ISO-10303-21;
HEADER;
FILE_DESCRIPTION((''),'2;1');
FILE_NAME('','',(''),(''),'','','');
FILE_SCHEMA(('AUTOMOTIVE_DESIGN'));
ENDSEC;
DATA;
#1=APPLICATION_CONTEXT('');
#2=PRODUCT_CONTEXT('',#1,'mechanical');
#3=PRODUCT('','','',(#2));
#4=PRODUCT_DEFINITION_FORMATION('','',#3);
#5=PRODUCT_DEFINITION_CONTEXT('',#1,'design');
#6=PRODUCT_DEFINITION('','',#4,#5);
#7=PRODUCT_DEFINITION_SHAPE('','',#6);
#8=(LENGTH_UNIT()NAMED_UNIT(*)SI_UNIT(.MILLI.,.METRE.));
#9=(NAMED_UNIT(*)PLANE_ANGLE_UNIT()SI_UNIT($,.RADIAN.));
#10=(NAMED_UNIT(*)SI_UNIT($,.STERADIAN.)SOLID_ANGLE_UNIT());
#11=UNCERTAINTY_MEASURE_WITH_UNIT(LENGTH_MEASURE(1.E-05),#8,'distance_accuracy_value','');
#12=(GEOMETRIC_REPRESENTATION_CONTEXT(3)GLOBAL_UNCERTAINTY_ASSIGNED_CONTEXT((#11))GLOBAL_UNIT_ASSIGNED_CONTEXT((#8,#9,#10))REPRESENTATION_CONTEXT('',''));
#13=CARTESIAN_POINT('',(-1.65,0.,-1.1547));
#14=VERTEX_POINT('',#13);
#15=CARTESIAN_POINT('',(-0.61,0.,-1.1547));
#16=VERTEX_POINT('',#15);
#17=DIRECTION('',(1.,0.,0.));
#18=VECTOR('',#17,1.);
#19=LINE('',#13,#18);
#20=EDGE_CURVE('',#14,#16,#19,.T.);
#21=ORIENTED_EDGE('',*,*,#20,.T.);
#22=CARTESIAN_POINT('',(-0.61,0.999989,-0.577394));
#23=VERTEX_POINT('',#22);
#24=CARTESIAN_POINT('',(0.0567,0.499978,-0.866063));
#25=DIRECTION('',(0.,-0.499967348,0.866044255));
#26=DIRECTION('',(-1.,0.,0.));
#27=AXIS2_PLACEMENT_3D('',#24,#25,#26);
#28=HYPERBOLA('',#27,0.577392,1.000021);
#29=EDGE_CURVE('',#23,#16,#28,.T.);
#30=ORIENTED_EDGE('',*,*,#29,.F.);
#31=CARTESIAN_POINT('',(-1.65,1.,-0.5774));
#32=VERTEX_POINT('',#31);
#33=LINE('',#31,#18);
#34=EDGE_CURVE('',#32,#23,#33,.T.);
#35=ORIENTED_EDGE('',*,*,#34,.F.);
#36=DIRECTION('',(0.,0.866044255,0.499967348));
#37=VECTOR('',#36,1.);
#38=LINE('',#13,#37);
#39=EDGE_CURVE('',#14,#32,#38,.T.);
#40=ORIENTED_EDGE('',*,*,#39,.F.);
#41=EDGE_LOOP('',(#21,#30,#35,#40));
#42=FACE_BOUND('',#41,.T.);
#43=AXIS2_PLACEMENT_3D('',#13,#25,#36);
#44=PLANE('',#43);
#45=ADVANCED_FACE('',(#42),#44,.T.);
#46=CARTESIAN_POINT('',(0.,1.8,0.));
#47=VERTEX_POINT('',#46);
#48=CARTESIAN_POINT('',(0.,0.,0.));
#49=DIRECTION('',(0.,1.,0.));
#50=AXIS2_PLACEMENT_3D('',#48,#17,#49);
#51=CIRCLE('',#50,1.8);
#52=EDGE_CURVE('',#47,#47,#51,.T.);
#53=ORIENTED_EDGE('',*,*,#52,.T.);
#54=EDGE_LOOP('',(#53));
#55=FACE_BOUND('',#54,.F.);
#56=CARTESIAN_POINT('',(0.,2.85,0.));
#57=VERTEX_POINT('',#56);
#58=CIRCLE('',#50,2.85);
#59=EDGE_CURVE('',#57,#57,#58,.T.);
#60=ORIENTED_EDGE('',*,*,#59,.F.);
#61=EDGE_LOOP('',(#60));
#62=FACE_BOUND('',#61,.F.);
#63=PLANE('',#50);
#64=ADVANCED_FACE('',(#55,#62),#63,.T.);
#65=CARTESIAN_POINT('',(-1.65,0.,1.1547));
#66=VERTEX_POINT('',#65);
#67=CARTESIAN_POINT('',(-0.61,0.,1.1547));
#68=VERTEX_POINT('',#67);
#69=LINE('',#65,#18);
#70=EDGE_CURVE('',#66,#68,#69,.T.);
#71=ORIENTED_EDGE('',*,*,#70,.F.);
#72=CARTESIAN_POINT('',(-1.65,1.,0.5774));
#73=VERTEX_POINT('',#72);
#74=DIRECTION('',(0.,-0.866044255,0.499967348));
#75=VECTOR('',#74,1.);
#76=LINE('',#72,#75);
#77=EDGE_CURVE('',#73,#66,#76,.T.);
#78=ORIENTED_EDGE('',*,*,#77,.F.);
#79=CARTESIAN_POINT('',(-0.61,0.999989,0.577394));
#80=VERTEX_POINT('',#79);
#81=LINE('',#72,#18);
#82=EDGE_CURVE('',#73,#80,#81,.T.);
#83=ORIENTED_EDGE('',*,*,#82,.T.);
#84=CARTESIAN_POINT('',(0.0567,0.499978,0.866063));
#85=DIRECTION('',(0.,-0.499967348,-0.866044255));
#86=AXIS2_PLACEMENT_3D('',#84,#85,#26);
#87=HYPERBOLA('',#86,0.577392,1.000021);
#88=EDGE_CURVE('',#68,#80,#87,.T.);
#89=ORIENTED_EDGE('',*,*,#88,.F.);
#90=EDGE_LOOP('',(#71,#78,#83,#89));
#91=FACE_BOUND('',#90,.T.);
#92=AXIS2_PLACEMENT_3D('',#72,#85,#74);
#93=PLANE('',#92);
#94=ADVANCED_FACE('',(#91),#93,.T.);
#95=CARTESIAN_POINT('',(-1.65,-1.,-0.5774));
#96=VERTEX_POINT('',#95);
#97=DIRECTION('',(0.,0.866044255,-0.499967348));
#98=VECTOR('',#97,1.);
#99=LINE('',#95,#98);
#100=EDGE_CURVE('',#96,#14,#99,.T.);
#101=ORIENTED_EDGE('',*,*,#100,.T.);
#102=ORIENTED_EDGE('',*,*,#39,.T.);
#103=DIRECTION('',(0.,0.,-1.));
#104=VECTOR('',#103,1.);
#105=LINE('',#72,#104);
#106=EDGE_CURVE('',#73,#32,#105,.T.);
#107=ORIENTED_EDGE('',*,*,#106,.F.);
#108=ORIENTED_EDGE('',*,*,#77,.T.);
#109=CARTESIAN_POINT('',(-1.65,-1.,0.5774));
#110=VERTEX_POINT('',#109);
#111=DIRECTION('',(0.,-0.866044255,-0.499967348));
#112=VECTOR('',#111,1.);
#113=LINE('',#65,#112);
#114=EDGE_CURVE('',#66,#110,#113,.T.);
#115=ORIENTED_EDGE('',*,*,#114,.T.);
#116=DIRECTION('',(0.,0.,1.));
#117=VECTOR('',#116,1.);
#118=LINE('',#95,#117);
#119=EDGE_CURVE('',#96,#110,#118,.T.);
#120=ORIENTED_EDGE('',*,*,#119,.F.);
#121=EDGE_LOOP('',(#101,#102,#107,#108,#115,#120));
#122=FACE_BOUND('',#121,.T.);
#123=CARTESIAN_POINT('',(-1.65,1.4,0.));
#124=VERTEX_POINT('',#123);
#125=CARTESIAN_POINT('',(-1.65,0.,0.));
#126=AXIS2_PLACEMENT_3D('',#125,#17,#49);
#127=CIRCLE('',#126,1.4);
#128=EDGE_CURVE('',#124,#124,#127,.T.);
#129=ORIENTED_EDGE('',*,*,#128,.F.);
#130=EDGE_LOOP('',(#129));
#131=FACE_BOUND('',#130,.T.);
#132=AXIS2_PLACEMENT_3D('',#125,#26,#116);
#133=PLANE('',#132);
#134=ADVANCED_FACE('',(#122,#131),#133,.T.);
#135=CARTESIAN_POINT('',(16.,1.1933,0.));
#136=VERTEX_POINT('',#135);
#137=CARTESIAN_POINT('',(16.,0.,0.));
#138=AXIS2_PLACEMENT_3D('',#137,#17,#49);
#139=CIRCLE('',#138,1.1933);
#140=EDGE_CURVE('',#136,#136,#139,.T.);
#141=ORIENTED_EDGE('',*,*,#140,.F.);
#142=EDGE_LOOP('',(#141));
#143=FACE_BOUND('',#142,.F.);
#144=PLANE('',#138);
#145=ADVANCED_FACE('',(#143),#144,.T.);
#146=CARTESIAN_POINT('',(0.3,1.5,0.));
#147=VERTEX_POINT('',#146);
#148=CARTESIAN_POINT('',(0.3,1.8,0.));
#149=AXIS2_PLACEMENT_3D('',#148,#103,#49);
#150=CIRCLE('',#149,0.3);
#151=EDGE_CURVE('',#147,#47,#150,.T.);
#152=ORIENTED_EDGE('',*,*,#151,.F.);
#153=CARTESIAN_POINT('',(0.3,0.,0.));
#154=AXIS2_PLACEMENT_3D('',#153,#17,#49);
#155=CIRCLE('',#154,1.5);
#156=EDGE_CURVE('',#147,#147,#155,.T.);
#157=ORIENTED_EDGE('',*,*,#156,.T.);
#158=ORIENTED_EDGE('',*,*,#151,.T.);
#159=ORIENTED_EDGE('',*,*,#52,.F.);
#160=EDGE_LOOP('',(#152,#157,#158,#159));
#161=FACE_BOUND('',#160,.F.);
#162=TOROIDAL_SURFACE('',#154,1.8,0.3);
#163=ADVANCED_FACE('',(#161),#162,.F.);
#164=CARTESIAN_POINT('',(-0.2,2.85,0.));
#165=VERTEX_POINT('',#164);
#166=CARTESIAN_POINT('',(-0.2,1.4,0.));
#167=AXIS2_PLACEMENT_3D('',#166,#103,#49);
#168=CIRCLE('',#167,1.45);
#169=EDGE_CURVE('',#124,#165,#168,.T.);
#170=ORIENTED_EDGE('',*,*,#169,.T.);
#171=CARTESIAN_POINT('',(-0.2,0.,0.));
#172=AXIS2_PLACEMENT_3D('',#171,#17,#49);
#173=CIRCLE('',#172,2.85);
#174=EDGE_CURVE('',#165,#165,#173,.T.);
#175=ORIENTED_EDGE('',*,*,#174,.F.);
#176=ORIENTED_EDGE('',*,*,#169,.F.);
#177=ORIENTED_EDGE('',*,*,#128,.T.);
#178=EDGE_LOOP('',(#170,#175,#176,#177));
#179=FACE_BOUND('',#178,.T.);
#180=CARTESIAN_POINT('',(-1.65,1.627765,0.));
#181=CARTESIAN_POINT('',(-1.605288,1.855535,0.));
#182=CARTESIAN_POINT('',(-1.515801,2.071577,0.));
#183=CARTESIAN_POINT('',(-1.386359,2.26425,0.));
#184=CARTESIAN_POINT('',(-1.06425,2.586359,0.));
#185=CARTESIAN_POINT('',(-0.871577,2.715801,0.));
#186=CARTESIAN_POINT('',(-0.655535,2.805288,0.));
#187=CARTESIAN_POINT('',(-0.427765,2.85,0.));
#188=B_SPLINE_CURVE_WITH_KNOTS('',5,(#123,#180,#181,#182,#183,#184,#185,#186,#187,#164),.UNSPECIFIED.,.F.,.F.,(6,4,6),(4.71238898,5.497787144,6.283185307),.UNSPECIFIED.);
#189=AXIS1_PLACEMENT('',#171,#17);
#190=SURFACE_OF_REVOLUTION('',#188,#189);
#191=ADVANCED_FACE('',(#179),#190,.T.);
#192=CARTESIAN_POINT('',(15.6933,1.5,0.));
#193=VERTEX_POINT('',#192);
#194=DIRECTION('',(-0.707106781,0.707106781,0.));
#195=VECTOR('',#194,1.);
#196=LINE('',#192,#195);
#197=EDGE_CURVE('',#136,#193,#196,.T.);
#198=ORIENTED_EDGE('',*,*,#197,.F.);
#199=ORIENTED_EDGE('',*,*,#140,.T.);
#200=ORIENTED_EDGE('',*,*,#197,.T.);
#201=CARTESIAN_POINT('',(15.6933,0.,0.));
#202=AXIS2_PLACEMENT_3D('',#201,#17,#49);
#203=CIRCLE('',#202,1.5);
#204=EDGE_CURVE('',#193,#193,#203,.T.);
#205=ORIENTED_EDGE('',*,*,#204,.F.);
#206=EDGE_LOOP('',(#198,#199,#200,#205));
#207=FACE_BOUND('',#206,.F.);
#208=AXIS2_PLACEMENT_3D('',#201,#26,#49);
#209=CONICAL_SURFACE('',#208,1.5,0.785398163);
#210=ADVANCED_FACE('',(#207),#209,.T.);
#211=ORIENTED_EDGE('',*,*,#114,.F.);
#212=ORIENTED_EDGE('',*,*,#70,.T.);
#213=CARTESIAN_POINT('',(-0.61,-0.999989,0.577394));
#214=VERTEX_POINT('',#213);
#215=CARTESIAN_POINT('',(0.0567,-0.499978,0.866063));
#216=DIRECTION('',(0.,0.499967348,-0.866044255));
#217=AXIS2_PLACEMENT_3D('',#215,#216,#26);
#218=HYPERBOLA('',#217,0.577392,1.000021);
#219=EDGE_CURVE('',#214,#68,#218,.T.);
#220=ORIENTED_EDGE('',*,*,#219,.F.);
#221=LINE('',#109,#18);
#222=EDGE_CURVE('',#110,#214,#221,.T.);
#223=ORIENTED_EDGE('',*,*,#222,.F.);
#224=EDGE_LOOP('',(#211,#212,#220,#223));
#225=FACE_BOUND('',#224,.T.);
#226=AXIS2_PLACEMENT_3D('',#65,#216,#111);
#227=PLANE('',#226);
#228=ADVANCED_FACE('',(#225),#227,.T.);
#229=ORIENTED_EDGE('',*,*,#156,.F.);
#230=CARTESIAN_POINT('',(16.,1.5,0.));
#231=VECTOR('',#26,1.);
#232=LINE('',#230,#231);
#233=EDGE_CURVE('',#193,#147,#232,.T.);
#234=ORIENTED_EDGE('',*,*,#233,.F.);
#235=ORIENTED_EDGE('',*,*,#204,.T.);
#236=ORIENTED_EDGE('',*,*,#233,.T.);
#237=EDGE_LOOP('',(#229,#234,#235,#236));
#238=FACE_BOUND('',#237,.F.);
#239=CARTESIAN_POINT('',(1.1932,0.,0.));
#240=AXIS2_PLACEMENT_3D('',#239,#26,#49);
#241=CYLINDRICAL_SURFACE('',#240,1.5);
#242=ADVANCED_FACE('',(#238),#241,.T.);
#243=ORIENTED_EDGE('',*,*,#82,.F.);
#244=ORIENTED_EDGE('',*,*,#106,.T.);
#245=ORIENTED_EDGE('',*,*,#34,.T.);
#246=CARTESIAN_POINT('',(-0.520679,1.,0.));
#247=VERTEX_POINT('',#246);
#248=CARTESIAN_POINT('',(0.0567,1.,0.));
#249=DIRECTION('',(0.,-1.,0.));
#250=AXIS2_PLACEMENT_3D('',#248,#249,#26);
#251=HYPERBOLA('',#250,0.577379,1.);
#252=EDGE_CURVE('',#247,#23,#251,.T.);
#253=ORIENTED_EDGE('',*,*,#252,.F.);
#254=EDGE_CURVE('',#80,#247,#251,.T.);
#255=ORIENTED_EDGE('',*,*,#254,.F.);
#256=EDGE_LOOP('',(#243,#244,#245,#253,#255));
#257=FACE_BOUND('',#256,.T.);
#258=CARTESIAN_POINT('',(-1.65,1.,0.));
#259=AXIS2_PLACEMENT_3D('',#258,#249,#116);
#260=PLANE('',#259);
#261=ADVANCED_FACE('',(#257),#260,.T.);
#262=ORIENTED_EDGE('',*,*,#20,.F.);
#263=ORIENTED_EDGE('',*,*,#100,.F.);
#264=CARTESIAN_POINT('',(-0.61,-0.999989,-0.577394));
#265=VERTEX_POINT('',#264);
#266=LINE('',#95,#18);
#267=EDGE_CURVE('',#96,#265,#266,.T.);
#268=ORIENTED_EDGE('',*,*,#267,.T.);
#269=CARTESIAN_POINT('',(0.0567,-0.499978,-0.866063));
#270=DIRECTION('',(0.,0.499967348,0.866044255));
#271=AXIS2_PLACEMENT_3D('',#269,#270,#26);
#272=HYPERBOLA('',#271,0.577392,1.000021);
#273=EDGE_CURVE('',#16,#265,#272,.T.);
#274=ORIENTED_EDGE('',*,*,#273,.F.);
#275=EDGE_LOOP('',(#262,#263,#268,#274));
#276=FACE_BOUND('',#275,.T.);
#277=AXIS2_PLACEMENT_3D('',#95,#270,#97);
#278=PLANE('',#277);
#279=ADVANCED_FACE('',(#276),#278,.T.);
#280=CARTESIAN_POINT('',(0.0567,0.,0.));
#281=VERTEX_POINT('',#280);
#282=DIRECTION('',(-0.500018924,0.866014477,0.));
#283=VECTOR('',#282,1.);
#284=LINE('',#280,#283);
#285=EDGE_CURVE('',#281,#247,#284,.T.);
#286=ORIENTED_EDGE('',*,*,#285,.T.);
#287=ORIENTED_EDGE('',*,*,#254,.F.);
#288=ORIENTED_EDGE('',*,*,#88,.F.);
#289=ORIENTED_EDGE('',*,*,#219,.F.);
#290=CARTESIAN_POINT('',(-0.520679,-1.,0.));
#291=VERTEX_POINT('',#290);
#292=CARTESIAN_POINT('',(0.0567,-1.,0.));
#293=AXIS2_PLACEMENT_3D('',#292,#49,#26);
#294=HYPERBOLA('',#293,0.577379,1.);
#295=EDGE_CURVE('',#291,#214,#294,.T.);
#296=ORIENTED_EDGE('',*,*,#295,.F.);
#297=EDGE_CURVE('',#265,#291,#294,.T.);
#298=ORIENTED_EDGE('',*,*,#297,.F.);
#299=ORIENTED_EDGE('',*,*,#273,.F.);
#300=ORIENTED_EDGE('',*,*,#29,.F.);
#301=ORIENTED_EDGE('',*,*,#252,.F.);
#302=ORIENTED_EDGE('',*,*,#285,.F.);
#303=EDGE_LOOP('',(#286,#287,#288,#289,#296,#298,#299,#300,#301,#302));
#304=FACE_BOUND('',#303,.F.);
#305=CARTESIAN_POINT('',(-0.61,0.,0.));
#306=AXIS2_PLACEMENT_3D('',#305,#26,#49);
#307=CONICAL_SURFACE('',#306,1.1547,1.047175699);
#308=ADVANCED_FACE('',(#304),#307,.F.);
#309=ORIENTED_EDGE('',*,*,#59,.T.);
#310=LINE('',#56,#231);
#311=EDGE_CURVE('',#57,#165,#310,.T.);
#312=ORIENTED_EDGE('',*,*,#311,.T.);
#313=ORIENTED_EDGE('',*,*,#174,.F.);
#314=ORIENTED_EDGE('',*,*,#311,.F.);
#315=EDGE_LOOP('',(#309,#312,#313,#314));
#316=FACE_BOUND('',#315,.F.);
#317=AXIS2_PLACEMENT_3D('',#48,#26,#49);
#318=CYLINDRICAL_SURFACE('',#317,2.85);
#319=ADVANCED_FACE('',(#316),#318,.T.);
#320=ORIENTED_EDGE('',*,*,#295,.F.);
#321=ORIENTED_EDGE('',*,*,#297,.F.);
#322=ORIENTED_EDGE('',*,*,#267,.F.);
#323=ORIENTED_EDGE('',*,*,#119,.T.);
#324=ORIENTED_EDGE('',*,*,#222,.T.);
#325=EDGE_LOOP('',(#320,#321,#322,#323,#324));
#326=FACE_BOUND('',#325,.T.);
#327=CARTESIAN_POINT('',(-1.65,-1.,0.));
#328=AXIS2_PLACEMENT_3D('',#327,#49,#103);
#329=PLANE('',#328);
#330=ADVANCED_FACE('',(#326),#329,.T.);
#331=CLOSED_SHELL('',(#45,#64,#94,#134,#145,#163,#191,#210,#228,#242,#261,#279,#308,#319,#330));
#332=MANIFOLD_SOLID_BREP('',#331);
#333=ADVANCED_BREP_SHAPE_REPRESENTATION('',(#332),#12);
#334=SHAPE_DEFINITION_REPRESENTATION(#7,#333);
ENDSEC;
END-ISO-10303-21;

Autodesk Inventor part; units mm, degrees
ref_plane "YZ Plane" through (0, 0, 0) normal (1, 0, 0) x (0, 1, 0)
ref_plane "XZ Plane" through (0, 0, 0) normal (0, 1, 0) x (-1, 0, 0)
sketch "Sketch1" plane through (0, 0, 0) normal (0, 0, 1) x (1, 0, 0)
  line L0 (0.0567, 0) -> (16, 0)
  line L1 (16, 0) -> (16, 1.5)
  line L2 (16, 1.5) -> (1.5, 1.5)
  line L3 (1.5, 1.5) -> (1.1932, 1.5)
  line L4 (1.1932, 1.5) -> (0, 1.5)
  line L5 (0, 1.5) -> (0, 2.85)
  line L6 (0, 2.85) -> (-1.65, 2.85)
  line L7 (-1.65, 2.85) -> (-1.65, 1.1547)
  line L8 (-1.65, 1.1547) -> (-0.61, 1.1547)
  line L9 (-0.61, 1.1547) -> (0.0567, 0)
  line L10 (-21, 0) -> (56, 0) projected
  line L11 (0, -1.6) -> (0, 9.6) projected
  line L12 (1.5, 1.5) -> (0, 1.5) construction
  dimension "d1" = 14.5
  dimension "d2" = 0.3068
  dimension "d3" = 1.65
  dimension "d4" = 1.04
  dimension "d5" = 60
  dimension "d6" = 3
  dimension "d7" = 3
  dimension "d8" = 2.3094
  dimension "d9" = 5.7
  dimension "d26" = 16
revolve "Body" add sketch "Sketch1" angle 360 about axis through (0.0567, 0, 0) along (1, 0, 0) contours L9 L11 L4 L3 L2 L1 L0 | L9 L8 L7 L6 L5 L11
sketch "Sketch2" plane through (-1.65, 0, 0) normal (-1, 0, 0) x (0, 0, 1)
  circle A0 centre (0, 0) radius 1.1547 projected
  line L0 (0, -6.4663) -> (0, 6.4663) projected
  line L1 (-6.4663, 0) -> (6.4663, 0) projected
  line L2 (1.1547, 0) -> (0.5774, -1)
  line L3 (0.5774, -1) -> (-0.5774, -1)
  line L4 (-0.5774, -1) -> (-1.1547, 0)
  line L5 (-1.1547, 0) -> (-0.5774, 1)
  line L6 (-0.5774, 1) -> (0.5774, 1)
  line L7 (0.5774, 1) -> (1.1547, 0)
extrude "Slot" add sketch "Sketch2" against normal up to next contours L7 A0 | A0 L2 | L6 L0 A0 | A0 L0 L3 | L0 L6 A0 | A0 L3 L0 | L4 A0 | A0 L5
fillet "Fillet1" radius 1.45 1 edges at (-1.65, -2.85, 0)
thread "Thread" size "M10x1.5" class "6g" standard "ANSI Metric M Profile" length 14.5
chamfer "Chamfer1" distance 0.3067 distance2 0.3067 1 edges at (16, -1.5, 0) measured on face at (16, -0.4645, -0.4115)
ref_plane "Work Plane1" through (29, 0, 0) normal (0, -1, 0) x (1, 0, 0)
fillet "Fillet2" radius 0.3 1 edges at (0, -1.5, 0)
equation "\"d1\" = GEL"
equation "\"d3\" = KOH"
equation "\"d4\" = INTI"
equation "\"d6\" = GD"
equation "\"d7\" = BDM"
equation "\"d8\" = 1.1547 * SW"
equation "\"d9\" = KOD"
equation "\"d26\" = NLG"
equation "\"d30\" = R"
equation "\"d17\" = RR"
equation "\"d13\" = GEL"
equation "\"d15\" = -0.5 * SPD + 0.5 * GD"
equation "\"d16\" = GUL"
equation "\"GD\" = NND"
equation "\"NLG\" = 16"
equation "\"GEL\" = 14.5"
equation "\"KOD\" = 5.7"
equation "\"KOH\" = 1.65"
equation "\"INTI\" = 1.04"
equation "\"GAL\" = 0.61345 * PTC"
equation "\"GUL\" = 0.61345 * PTC"
equation "\"BDM\" = NND"
equation "\"SW\" = 2"
equation "\"RR\" = 1.45"
equation "\"SPD\" = NND - 1.2269 * PTC"
equation "\"R\" = 0.3"
equation "\"TOA\" = 30deg"
equation "\"GD1\" = THREADDIA - 1.2269 * PTC"
equation "\"THREADDIA\" = 3"
equation "\"PTC\" = 0.5"
equation "\"NND\" = 3"
equation "\"KOH1\" = 0.2"
equation "\"E0\" = 2.303"
properties part number "ISO 7380-1 - M3 x 16" material "Steel"
